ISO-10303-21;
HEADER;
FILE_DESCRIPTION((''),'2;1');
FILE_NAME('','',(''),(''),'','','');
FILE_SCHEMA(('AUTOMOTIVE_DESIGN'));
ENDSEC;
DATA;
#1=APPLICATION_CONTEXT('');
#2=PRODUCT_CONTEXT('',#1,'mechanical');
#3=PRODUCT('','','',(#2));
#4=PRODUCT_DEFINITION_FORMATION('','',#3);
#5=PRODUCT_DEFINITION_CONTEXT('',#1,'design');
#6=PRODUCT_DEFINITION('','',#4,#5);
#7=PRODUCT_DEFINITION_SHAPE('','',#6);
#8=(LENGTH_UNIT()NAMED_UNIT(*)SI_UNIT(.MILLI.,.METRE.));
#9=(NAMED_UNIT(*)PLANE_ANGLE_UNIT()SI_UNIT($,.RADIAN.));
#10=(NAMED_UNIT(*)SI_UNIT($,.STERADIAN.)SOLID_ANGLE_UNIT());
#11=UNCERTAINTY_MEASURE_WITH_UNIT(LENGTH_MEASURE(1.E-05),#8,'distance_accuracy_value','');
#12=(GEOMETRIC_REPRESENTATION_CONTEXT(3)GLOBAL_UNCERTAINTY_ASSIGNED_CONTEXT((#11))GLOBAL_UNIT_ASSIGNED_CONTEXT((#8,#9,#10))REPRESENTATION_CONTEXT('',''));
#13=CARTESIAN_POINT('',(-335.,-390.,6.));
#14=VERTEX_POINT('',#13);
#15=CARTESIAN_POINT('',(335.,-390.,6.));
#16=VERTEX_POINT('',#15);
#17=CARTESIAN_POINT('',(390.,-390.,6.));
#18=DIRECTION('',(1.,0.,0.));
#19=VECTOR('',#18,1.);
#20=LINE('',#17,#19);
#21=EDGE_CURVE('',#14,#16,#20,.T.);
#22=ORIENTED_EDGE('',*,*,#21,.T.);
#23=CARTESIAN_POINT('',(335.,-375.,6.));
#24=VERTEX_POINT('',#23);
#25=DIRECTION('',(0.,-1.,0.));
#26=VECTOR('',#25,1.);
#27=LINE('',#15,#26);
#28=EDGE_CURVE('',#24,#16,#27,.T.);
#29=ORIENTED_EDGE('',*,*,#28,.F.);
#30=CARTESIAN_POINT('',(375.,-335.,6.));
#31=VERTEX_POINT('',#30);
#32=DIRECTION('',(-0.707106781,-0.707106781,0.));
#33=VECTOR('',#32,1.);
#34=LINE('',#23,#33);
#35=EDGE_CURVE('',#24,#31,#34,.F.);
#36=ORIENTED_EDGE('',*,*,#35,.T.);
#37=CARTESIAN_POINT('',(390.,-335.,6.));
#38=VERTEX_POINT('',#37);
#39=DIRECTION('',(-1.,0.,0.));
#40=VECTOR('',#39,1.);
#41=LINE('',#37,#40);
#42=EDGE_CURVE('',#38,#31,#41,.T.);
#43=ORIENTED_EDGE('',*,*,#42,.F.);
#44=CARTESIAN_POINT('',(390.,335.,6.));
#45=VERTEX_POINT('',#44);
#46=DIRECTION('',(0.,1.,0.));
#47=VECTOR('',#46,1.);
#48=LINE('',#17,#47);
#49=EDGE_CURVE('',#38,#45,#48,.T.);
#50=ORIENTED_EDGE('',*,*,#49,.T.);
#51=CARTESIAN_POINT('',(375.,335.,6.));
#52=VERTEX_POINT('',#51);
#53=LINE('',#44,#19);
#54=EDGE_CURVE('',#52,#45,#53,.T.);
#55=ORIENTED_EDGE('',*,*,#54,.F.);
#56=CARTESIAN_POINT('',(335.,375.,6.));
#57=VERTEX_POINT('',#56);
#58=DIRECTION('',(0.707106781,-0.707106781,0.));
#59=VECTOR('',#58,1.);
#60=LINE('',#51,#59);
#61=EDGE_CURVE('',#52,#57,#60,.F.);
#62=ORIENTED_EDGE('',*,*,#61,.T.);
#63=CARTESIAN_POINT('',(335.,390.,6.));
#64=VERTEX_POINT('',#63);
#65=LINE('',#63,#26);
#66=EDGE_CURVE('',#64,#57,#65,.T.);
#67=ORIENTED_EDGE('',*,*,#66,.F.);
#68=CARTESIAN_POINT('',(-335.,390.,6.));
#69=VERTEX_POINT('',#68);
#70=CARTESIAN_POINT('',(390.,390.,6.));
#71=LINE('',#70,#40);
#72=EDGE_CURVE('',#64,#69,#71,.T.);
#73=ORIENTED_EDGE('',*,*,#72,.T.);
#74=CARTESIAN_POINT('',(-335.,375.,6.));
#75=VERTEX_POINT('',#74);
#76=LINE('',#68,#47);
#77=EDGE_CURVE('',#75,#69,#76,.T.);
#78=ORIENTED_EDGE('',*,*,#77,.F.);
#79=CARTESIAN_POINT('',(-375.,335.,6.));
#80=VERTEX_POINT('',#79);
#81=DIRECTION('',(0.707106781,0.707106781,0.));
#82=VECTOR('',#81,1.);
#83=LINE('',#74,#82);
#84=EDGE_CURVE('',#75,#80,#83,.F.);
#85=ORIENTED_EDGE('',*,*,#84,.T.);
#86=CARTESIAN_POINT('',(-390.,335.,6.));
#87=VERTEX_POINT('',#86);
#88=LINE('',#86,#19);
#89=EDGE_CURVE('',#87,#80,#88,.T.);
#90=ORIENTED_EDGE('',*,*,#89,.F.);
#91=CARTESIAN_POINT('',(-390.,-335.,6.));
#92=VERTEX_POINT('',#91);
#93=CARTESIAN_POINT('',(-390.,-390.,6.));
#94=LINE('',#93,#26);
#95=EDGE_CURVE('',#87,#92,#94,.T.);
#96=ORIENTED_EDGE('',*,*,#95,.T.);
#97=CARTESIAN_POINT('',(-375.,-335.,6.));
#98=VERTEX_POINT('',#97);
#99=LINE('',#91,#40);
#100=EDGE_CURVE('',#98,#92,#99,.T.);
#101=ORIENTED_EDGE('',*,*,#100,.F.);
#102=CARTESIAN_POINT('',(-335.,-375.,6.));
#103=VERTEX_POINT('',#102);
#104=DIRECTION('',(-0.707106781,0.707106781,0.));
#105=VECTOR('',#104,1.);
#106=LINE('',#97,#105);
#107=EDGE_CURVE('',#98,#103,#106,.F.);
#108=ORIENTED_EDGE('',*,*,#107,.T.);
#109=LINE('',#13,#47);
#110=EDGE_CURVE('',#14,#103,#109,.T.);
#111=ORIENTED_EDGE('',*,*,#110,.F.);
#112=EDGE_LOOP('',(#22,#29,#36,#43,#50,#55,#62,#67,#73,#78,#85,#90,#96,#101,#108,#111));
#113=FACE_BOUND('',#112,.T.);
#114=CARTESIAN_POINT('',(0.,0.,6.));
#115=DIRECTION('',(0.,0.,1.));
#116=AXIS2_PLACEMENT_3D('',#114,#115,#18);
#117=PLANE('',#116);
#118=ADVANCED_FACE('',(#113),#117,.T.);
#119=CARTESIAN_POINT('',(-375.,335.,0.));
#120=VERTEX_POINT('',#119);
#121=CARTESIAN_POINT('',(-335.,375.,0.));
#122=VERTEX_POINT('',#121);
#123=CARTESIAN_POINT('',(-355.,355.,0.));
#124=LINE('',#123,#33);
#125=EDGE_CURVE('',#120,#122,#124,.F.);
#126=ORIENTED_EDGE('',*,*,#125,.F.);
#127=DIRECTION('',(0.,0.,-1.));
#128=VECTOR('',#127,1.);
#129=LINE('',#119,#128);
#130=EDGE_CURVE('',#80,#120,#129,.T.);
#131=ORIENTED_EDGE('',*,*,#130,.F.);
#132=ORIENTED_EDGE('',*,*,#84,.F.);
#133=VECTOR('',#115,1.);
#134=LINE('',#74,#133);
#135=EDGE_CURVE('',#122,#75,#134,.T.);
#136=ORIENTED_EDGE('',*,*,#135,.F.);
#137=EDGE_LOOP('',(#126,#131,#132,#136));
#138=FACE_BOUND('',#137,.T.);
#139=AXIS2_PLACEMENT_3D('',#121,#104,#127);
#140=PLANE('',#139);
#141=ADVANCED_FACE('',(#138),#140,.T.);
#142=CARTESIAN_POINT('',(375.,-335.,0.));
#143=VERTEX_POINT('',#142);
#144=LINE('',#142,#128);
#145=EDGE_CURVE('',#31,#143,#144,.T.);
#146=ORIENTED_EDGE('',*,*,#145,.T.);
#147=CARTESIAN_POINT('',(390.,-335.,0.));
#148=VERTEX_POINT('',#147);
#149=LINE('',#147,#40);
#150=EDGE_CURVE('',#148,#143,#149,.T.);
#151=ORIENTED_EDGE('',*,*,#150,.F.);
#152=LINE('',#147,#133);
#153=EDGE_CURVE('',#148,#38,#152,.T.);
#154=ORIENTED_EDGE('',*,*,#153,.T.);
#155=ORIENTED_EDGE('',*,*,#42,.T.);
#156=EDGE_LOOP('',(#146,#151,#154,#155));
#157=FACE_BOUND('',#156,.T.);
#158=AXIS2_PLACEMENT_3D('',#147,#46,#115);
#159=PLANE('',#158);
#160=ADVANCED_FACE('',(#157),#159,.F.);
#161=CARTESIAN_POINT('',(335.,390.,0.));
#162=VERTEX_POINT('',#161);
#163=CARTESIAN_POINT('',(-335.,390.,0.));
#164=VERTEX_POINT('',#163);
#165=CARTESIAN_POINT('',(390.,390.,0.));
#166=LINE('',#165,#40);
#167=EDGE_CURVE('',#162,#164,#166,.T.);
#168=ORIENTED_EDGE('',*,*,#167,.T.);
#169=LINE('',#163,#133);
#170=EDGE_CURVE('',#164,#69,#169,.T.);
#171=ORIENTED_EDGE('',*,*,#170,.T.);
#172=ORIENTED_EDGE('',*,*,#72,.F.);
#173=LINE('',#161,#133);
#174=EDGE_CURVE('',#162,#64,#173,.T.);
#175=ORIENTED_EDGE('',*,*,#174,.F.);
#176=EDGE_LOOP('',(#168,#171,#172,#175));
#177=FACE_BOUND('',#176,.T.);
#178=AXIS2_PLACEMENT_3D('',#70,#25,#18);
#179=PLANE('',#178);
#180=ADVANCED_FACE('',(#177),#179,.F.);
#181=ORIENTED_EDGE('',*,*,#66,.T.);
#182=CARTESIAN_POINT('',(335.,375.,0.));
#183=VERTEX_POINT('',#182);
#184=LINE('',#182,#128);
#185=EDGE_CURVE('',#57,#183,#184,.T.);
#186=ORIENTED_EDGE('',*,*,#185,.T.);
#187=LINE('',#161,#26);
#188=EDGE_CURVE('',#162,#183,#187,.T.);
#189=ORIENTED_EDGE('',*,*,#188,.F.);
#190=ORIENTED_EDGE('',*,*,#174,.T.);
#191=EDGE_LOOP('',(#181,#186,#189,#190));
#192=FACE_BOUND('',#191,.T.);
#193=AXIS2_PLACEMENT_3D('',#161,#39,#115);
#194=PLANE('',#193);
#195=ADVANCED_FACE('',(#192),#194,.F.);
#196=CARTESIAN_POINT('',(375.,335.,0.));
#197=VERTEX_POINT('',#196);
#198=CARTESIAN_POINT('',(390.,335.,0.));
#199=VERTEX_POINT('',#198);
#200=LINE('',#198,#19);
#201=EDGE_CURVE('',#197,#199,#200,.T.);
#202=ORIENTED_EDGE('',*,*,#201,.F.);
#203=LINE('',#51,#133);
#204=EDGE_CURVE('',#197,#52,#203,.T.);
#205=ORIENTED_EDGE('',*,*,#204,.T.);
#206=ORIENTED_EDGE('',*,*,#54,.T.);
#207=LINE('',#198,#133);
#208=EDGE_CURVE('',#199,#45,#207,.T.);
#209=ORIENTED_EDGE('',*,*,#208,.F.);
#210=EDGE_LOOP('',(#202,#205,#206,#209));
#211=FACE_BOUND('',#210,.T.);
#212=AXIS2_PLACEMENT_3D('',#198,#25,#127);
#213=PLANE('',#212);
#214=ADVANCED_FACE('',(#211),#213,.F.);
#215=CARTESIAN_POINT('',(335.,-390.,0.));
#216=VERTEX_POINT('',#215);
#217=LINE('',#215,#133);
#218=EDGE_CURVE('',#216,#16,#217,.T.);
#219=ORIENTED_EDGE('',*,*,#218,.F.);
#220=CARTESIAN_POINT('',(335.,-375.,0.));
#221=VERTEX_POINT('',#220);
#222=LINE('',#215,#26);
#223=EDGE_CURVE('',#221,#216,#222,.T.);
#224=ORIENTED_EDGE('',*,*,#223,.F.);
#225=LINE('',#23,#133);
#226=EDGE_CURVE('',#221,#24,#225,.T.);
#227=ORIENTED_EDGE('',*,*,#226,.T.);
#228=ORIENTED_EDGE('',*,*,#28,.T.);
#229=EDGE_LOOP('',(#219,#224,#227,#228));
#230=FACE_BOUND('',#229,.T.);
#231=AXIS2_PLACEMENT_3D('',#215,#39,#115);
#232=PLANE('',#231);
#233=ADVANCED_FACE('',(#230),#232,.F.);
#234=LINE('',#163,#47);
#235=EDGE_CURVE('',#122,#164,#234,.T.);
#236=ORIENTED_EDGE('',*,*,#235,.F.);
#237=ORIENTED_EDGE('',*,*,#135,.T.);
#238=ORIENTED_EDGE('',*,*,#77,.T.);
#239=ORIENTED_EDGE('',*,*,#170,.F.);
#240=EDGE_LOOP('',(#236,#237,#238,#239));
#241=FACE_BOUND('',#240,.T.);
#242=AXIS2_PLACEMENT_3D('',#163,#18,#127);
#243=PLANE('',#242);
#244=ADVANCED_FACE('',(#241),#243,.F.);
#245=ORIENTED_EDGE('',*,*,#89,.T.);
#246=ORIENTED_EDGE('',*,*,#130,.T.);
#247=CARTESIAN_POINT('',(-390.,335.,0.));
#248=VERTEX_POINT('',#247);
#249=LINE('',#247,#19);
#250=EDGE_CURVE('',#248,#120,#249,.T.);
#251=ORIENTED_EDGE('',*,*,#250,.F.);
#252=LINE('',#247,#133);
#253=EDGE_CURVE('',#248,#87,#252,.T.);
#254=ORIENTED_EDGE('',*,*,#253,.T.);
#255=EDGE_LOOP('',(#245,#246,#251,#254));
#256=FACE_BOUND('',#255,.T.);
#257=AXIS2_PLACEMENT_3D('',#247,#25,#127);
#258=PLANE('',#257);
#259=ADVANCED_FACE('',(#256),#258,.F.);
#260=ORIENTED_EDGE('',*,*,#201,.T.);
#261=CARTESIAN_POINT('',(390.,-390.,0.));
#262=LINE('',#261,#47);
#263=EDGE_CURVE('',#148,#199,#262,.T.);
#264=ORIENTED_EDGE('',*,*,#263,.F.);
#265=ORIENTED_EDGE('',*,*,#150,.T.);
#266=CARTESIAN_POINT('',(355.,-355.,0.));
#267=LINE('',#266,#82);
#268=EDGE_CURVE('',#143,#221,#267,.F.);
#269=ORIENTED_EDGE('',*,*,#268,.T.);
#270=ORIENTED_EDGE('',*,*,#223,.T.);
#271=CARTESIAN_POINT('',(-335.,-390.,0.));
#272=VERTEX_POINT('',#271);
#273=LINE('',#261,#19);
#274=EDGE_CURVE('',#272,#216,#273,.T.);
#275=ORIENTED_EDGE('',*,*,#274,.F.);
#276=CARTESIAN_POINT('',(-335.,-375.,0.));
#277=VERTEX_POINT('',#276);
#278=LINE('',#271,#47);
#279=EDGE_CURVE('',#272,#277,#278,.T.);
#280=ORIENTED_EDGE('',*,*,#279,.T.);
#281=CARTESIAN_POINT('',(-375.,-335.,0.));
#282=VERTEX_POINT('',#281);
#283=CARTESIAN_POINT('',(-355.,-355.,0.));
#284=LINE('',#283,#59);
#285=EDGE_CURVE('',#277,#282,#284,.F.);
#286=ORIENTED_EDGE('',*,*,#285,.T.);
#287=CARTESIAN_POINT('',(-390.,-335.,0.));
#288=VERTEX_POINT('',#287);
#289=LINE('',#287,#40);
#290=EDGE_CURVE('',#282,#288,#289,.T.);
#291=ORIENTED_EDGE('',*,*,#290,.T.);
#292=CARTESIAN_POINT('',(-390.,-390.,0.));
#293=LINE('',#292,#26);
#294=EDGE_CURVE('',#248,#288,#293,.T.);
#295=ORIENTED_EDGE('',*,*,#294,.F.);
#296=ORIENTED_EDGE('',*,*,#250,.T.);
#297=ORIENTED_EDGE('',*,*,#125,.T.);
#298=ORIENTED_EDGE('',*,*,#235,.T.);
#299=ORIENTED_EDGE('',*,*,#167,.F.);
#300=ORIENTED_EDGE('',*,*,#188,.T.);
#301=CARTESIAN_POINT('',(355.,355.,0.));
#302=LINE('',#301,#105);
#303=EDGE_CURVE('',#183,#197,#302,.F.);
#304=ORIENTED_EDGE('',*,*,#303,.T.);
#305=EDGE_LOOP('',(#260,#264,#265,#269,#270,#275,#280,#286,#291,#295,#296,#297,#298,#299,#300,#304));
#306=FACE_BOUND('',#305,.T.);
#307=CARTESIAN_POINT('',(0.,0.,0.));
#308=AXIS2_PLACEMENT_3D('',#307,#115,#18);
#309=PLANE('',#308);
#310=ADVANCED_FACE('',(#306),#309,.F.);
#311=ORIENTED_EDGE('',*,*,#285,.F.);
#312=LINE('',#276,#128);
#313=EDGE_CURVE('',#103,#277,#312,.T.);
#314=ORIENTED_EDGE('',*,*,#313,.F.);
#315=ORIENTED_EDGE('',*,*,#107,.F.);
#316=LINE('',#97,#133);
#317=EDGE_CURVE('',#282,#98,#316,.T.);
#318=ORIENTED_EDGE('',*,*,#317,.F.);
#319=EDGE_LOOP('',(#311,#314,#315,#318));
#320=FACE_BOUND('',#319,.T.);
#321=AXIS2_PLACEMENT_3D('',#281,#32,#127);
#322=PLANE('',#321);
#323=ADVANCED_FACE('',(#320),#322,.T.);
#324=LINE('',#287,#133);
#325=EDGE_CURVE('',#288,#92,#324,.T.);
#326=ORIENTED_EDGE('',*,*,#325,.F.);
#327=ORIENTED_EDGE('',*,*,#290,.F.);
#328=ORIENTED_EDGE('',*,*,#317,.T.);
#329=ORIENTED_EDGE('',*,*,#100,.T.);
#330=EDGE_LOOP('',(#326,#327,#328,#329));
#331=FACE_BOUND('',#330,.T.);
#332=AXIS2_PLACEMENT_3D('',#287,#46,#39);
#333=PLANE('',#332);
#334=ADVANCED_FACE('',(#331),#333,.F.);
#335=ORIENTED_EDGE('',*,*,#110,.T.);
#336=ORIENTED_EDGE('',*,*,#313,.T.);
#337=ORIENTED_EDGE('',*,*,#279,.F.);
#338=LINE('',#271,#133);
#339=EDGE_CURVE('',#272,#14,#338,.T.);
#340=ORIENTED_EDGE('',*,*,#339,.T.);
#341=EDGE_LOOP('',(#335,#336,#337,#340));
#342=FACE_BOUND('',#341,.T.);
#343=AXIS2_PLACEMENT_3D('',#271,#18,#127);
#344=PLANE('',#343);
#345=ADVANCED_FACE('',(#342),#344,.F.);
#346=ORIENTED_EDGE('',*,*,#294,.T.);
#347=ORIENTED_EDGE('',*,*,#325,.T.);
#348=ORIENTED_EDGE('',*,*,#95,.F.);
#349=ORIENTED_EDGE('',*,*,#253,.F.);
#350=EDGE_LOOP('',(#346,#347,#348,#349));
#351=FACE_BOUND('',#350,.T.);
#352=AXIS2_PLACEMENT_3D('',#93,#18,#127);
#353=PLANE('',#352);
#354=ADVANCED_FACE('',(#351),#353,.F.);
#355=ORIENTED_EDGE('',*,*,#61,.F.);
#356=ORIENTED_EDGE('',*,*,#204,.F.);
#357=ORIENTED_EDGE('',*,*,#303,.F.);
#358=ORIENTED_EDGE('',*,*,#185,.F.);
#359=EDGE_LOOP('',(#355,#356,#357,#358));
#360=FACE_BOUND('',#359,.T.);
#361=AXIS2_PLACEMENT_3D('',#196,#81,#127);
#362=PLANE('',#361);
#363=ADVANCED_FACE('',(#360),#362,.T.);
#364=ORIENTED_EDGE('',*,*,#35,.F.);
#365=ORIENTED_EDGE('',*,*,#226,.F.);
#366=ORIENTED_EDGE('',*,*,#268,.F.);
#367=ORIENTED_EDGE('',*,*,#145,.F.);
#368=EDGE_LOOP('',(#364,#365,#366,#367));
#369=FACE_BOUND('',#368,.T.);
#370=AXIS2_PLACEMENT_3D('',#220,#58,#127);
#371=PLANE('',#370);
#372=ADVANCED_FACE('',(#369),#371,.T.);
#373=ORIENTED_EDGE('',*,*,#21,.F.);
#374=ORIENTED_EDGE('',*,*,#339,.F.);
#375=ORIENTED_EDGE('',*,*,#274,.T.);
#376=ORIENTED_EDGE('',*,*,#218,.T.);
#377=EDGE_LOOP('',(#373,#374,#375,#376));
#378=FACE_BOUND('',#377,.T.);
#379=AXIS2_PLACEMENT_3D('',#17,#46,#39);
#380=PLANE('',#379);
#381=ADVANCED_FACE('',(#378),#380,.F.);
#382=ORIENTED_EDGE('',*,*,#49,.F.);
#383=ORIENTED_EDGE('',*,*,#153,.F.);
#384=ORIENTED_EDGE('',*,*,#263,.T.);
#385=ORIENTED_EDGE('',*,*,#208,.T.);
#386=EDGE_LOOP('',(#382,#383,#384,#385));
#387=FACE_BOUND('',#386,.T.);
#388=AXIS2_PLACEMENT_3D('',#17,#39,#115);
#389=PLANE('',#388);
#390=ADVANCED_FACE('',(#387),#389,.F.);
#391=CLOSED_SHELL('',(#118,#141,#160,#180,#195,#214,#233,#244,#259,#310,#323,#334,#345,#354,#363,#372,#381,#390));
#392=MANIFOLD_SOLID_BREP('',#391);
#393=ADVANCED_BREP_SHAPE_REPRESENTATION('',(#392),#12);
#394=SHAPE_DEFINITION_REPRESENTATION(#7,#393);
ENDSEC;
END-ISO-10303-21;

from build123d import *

# Parameters (mm, degrees)
SKETCH1_W           = 780
SKETCH1_H           = 780
BOSS_EXTRUDE1_DEPTH = 6
SKETCH2_W           = 55
SKETCH2_H           = 55
CUT_EXTRUDE1_DEPTH  = 6
CHAMFER1_SIZE       = 40


with BuildPart() as part:
    # Sketch1 → Boss-Extrude1 (new body)
    with BuildSketch(Plane.XY):
        Rectangle(SKETCH1_W, SKETCH1_H)
    extrude(amount=BOSS_EXTRUDE1_DEPTH)

    # Sketch2 → Cut-Extrude1 (cut)
    with BuildSketch(Plane.XY.offset(6)):
        with Locations((-362.5, 362.5)):
            Rectangle(SKETCH2_W, SKETCH2_H)
        with Locations((362.5, 362.5)):
            Rectangle(SKETCH2_W, SKETCH2_H)
        with Locations((362.5, -362.5)):
            Rectangle(SKETCH2_W, SKETCH2_H)
        with Locations((-362.5, -362.5)):
            Rectangle(SKETCH2_W, SKETCH2_H)
    extrude(amount=-CUT_EXTRUDE1_DEPTH, mode=Mode.SUBTRACT)

    # Chamfer1
    chamfer1_edges = [part.edges().sort_by_distance(p)[0] for p in [
        (-335, -335, 3),
        (335, -335, 3),
        (335, 335, 3),
        (-335, 335, 3),
    ]]
    chamfer(chamfer1_edges, length=CHAMFER1_SIZE)


solid = part.part
